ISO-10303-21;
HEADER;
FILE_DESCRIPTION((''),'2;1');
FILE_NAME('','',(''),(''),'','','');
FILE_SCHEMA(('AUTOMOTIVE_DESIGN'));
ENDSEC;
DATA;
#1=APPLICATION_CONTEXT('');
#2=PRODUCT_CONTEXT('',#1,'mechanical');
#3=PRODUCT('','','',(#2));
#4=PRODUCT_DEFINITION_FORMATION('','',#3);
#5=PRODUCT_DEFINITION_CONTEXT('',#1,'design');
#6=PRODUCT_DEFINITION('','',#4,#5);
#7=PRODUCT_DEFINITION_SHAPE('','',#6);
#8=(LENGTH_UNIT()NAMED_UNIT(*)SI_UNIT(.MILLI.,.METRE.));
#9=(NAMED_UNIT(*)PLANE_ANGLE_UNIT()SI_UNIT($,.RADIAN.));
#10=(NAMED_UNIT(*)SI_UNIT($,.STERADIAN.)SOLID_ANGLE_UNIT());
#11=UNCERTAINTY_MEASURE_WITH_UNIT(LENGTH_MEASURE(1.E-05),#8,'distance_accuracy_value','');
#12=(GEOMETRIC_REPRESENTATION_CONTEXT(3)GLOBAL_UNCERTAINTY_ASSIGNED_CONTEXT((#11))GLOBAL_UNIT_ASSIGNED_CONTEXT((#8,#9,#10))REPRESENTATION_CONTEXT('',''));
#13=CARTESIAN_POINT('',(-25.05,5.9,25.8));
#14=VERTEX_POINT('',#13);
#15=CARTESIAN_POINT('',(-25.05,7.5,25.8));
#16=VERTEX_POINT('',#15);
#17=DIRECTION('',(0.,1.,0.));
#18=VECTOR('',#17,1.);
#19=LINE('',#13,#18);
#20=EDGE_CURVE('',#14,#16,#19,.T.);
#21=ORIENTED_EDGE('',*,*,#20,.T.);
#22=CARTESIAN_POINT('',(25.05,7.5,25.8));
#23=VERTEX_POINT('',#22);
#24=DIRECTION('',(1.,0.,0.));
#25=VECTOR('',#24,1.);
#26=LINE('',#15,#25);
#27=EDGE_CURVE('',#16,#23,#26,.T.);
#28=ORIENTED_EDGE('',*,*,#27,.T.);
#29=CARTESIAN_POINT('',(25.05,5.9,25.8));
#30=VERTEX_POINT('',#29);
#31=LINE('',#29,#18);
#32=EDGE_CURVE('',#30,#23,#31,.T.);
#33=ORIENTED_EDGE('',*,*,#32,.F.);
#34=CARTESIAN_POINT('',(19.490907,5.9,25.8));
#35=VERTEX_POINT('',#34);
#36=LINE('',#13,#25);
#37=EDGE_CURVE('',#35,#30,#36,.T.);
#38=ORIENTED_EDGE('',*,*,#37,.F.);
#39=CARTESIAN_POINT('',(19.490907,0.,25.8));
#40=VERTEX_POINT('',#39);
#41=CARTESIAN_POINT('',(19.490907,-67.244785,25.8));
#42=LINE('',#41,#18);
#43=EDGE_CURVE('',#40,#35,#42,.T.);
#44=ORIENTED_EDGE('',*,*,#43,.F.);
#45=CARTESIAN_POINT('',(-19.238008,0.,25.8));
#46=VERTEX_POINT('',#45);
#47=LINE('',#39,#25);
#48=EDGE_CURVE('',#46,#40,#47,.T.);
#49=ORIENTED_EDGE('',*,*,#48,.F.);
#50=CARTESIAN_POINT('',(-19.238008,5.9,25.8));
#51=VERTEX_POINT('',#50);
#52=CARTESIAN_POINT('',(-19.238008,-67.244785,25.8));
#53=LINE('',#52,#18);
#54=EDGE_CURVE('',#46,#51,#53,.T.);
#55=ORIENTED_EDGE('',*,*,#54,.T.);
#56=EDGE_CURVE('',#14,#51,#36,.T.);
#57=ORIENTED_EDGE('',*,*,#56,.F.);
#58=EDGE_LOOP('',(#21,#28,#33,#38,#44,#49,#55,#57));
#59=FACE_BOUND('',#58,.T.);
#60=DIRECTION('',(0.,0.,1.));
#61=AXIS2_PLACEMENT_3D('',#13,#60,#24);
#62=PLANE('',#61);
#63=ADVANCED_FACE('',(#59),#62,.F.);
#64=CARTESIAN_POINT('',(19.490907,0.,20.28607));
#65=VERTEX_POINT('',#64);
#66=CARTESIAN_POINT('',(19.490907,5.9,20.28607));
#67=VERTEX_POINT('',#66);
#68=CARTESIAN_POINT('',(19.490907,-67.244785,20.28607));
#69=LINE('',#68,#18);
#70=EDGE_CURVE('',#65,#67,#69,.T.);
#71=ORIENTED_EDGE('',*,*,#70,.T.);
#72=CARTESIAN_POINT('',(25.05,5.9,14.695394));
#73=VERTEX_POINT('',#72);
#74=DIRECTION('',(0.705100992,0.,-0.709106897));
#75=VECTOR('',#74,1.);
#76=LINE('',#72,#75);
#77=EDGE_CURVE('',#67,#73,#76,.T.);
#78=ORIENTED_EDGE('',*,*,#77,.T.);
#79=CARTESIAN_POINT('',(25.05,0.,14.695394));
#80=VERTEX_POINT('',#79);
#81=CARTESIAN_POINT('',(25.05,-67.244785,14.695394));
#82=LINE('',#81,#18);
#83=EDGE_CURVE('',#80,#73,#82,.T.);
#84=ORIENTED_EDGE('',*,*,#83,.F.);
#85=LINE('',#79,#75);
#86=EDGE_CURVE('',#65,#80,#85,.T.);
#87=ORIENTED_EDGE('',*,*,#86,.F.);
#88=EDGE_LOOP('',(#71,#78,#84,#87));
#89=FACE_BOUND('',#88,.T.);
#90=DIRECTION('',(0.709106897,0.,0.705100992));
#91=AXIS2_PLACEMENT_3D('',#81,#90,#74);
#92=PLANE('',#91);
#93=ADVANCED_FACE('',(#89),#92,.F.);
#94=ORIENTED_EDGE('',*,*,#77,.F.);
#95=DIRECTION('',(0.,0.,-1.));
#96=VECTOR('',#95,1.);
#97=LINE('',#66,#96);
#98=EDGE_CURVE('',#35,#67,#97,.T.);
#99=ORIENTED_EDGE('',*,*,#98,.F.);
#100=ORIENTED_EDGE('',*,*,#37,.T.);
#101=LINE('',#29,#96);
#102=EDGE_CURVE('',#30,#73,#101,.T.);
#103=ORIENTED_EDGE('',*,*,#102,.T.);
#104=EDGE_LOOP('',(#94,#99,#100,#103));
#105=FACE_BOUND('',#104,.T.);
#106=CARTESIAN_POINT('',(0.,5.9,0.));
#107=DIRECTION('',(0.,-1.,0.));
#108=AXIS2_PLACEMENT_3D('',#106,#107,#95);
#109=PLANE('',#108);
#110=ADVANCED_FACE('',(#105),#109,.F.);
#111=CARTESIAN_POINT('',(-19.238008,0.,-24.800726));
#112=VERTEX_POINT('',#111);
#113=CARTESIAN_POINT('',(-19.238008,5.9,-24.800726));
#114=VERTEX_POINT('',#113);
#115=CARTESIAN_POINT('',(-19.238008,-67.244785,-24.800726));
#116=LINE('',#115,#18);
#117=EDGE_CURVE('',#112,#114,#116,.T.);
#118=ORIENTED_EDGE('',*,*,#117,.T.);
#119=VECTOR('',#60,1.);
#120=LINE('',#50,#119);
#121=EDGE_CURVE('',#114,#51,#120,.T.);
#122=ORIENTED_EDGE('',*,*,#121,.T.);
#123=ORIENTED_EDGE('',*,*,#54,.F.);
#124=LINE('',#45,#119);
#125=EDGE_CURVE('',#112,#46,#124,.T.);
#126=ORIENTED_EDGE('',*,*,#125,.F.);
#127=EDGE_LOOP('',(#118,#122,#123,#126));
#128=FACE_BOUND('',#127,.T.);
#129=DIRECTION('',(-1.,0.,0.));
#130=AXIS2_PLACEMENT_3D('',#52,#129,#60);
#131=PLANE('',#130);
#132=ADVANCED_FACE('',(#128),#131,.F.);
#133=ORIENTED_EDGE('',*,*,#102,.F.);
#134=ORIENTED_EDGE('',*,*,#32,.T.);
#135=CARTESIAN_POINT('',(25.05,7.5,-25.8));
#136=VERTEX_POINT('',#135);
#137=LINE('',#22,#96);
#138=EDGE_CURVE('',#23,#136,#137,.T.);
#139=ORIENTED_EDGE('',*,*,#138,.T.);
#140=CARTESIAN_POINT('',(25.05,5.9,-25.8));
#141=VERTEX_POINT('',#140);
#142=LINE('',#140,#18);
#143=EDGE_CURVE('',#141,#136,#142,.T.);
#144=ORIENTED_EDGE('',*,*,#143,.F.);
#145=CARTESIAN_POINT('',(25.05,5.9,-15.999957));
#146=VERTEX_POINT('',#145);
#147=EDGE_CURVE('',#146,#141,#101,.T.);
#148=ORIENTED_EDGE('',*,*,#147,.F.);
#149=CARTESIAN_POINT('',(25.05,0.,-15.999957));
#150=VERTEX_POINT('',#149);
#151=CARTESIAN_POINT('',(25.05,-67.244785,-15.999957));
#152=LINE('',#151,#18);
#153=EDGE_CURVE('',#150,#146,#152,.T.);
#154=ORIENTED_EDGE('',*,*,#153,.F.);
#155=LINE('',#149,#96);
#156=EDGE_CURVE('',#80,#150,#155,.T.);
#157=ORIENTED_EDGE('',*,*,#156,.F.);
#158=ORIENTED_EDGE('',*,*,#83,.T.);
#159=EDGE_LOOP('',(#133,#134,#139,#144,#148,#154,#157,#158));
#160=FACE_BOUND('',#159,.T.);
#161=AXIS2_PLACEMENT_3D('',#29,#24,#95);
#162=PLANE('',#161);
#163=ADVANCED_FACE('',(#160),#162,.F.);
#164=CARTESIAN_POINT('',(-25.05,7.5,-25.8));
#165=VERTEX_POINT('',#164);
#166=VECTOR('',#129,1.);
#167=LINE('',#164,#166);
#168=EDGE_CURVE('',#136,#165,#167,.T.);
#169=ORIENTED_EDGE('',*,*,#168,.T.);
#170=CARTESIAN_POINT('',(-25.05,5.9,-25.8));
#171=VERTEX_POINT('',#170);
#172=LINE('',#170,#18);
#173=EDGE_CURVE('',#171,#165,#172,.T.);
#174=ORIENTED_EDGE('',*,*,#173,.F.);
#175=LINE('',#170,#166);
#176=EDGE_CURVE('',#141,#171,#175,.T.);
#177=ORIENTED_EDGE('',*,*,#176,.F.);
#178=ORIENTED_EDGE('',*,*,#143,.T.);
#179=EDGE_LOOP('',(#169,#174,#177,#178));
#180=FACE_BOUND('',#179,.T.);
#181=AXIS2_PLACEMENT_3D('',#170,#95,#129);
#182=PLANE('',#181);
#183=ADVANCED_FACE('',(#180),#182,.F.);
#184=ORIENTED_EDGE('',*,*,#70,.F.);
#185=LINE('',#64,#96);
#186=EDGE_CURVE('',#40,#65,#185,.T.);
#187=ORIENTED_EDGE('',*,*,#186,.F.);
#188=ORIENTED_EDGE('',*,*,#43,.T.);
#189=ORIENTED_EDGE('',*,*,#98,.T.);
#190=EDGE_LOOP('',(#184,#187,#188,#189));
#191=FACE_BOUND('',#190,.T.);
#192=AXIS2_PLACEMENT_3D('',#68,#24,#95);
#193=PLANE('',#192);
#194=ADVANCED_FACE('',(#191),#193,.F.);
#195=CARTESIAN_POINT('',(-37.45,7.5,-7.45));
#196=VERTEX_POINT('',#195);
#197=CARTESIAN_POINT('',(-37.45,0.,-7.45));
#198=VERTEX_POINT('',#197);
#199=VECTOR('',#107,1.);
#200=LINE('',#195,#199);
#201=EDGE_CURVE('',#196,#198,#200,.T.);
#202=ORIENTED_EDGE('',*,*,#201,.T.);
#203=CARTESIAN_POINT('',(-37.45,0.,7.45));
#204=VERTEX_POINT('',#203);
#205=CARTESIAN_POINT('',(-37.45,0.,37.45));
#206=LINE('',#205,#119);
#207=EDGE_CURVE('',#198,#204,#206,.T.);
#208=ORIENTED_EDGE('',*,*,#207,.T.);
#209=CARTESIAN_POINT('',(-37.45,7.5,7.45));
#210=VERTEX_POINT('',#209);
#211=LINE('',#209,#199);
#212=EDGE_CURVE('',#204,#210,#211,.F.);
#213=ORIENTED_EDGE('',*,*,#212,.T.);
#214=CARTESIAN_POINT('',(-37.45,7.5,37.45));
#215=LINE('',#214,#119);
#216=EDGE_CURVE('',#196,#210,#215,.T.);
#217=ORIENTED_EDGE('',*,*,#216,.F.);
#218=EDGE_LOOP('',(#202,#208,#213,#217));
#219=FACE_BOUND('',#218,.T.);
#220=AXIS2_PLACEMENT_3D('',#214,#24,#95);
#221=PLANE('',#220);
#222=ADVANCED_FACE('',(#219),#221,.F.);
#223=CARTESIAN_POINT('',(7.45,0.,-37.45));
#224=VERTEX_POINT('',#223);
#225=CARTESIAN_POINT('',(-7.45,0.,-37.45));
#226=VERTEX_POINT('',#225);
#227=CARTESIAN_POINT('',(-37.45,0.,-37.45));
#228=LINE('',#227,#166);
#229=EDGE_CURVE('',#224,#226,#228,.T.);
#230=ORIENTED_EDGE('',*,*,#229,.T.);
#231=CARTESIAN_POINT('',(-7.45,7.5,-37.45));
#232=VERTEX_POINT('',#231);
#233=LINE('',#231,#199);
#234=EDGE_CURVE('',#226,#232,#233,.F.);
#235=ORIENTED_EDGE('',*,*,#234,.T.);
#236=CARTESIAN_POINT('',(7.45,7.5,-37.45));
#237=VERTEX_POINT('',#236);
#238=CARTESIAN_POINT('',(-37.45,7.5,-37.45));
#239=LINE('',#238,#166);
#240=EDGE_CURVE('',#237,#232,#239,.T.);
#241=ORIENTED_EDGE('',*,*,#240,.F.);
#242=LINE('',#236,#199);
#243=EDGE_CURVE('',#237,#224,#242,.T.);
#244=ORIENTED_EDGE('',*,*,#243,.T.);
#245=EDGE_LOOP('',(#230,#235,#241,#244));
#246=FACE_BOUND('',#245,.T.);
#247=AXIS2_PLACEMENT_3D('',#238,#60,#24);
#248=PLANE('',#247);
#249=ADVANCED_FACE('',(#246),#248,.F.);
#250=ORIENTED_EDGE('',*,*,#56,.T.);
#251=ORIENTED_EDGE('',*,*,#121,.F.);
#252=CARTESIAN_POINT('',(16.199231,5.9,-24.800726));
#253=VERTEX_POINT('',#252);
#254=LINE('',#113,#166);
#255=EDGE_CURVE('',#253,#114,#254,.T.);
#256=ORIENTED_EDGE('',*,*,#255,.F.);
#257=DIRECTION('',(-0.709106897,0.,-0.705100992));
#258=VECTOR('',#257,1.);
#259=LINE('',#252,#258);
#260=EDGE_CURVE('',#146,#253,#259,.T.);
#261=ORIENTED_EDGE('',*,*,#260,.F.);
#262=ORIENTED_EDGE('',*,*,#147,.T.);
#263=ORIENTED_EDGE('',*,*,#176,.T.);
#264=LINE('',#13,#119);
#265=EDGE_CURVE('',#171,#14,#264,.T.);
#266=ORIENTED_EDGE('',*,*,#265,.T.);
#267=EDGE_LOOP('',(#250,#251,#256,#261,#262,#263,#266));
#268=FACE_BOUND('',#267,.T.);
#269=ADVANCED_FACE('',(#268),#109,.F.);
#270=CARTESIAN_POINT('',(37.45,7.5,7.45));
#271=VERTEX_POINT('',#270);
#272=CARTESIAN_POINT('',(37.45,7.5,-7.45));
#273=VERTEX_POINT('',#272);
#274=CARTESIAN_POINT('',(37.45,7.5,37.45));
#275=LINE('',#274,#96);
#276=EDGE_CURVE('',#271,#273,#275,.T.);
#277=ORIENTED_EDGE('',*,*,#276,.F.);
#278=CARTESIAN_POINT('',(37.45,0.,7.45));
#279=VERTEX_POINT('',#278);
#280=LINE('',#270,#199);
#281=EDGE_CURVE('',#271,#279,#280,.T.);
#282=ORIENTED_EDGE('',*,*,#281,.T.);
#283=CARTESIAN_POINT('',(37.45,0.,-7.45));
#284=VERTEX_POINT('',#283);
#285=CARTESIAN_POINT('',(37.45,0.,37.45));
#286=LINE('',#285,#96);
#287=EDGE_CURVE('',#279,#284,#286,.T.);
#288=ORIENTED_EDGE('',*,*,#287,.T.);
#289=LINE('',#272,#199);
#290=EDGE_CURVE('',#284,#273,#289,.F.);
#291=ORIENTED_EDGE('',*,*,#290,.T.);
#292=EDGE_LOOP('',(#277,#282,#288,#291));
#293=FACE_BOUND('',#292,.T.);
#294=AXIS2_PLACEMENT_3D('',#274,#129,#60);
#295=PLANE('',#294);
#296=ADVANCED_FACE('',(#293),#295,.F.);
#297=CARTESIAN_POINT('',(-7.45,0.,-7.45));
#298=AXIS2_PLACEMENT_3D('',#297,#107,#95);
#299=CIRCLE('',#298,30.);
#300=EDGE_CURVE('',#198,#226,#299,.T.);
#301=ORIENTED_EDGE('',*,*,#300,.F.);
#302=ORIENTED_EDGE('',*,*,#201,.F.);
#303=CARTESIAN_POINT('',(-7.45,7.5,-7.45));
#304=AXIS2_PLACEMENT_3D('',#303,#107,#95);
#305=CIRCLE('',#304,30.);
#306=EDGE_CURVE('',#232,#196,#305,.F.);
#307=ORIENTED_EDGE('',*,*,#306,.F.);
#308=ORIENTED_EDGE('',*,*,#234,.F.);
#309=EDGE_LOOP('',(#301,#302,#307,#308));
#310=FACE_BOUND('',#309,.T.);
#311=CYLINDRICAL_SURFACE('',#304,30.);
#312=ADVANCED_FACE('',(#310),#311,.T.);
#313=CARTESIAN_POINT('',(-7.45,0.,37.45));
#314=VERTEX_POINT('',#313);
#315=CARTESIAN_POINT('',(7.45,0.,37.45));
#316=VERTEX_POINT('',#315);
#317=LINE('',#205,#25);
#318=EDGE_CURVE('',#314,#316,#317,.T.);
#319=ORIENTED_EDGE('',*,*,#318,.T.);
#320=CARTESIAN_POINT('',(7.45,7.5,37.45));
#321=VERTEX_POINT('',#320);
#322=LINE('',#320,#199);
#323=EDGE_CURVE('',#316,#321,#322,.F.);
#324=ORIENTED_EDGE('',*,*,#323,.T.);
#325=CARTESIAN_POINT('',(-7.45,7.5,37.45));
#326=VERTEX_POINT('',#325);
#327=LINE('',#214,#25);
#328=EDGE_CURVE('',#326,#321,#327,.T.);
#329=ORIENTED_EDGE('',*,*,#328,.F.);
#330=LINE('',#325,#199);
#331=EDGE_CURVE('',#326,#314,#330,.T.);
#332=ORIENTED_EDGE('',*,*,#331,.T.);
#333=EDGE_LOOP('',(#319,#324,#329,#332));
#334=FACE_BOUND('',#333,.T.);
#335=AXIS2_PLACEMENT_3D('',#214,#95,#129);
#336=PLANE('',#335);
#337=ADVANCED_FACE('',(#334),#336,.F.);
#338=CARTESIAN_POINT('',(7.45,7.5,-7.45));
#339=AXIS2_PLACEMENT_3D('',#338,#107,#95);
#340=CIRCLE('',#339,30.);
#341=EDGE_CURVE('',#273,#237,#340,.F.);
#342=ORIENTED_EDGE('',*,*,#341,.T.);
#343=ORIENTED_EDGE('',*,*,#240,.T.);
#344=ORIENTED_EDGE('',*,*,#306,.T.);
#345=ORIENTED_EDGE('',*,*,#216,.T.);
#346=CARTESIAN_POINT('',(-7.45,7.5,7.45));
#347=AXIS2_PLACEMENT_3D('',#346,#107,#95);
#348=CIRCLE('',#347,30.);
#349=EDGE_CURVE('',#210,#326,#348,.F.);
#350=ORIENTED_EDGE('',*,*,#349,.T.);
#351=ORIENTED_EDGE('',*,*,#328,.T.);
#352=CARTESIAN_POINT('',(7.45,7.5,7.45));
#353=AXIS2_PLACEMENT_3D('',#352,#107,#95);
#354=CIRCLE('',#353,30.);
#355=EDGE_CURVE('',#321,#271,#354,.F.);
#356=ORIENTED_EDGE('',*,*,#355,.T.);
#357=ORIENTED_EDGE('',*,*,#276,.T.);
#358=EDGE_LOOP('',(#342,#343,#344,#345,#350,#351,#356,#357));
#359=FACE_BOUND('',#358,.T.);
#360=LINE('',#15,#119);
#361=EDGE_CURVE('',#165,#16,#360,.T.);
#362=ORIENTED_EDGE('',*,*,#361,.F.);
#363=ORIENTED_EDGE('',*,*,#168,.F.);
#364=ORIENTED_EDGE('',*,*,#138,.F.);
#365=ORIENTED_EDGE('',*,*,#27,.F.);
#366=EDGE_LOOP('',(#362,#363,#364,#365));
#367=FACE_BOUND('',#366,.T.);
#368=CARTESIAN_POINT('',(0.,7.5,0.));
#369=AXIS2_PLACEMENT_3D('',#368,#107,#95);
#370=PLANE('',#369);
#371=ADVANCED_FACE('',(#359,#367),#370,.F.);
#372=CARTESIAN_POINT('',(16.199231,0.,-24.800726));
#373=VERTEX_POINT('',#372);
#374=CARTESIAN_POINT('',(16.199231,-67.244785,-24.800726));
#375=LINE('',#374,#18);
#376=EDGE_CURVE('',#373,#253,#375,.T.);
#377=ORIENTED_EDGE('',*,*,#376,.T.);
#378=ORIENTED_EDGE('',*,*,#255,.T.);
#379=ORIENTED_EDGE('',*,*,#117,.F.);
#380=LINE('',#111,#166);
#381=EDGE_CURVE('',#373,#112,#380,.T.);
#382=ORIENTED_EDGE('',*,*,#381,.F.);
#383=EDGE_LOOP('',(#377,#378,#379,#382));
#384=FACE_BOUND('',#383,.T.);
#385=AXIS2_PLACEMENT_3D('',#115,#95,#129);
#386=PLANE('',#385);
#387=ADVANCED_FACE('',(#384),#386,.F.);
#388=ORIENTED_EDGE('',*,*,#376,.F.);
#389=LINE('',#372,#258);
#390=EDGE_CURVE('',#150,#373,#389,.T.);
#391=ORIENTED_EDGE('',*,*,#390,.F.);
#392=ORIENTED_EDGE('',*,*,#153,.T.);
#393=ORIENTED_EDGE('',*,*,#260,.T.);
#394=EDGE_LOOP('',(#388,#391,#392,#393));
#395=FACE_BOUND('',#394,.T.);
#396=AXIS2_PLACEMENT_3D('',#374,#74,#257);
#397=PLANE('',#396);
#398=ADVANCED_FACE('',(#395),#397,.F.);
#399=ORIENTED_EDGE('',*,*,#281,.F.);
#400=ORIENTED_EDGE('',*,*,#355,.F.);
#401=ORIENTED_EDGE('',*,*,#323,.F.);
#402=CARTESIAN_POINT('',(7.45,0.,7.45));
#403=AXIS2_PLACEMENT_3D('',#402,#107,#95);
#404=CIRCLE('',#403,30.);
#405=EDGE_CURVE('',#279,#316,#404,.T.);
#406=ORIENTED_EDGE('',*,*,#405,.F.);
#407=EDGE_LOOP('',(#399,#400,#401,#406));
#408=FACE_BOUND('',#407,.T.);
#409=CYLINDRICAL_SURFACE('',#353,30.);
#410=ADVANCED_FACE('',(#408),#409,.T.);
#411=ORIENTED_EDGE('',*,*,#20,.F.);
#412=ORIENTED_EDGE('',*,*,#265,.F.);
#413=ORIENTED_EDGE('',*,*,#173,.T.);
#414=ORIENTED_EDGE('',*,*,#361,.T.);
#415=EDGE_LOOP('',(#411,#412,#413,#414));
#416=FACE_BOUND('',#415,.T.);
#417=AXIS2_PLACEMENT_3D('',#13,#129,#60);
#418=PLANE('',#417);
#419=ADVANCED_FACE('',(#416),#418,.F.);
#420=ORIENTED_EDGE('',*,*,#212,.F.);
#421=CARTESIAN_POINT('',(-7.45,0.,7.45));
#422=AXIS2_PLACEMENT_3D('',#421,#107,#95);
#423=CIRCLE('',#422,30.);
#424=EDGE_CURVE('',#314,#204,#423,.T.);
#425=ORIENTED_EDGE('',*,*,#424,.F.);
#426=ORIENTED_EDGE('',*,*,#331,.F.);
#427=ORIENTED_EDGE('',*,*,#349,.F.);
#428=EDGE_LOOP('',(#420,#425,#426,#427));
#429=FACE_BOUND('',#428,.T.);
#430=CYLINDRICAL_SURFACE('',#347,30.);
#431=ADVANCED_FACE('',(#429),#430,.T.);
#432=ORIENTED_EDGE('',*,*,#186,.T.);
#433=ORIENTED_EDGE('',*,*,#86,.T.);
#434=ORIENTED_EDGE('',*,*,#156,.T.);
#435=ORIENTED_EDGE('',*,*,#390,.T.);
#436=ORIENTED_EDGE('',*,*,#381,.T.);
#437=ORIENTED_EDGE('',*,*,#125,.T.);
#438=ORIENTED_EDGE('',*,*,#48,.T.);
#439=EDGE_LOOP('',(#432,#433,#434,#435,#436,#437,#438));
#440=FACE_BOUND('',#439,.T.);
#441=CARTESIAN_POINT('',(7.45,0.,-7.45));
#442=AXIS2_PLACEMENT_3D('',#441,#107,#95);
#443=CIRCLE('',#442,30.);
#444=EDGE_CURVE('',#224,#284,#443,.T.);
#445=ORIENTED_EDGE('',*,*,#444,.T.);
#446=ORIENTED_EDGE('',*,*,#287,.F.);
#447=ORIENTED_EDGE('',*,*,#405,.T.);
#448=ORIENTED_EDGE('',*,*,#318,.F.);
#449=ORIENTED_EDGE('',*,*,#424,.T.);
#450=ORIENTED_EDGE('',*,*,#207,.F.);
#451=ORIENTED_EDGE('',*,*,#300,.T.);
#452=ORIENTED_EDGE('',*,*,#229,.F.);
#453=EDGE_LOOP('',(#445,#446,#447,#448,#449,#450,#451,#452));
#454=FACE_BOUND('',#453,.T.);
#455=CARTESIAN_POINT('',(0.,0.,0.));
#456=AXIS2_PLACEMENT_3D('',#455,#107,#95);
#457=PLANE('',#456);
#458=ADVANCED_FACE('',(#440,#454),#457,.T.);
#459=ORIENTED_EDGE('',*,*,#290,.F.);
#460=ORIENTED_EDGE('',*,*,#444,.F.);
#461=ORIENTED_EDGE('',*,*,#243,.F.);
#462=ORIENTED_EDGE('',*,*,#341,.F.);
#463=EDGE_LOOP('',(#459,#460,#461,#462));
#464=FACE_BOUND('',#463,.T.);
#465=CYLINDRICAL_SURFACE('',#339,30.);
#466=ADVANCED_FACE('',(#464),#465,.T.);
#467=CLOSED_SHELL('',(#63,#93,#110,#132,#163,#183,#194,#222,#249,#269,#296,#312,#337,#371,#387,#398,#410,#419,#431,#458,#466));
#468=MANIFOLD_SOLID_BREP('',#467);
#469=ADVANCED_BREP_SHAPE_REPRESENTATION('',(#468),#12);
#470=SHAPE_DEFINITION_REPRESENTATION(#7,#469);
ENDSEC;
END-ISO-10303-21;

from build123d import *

# Parameters (mm, degrees)
SKETCH2_W          = 74.9
SKETCH2_H          = 74.9
BASE_DEPTH         = 7.5
SKETCH3_W          = 50.1
SKETCH3_H          = 51.6
SLOT_DEPTH         = 1.6
CUT_EXTRUDE2_DEPTH = 5.9
FILLET1_R          = 30


with BuildPart() as part:
    # Sketch2 → Base (new body)
    with BuildSketch(Plane(origin=(0, 0, 0), x_dir=(1, 0, 0), z_dir=(0, 1, 0))):
        Rectangle(SKETCH2_W, SKETCH2_H)
    extrude(amount=BASE_DEPTH)

    # Sketch3 → Slot (cut)
    with BuildSketch(Plane(origin=(0, 7.5, 0), x_dir=(1, 0, 0), z_dir=(0, 1, 0))):
        Rectangle(SKETCH3_W, SKETCH3_H)
    extrude(amount=-SLOT_DEPTH, mode=Mode.SUBTRACT)

    # Sketch4 → Cut-Extrude2 (cut)
    with BuildSketch(Plane(origin=(0, 5.9, 0), x_dir=(1, 0, 0), z_dir=(0, 1, 0))):
        Polygon((-19.238008182, -25.8), (-19.238008182, 24.800726292), (16.199230682, 24.800726292), (25.05, 15.999956974), (25.05, -14.695394427), (19.490907044, -20.286070377), (19.490907044, -25.8), align=None)
    extrude(amount=-CUT_EXTRUDE2_DEPTH, mode=Mode.SUBTRACT)

    # Fillet1
    fillet1_edges = [part.edges().sort_by_distance(p)[0] for p in [
        (37.45, 3.75, 37.45),
        (-37.45, 3.75, 37.45),
        (-37.45, 3.75, -37.45),
        (37.45, 3.75, -37.45),
    ]]
    fillet(fillet1_edges, radius=FILLET1_R)


solid = part.part
